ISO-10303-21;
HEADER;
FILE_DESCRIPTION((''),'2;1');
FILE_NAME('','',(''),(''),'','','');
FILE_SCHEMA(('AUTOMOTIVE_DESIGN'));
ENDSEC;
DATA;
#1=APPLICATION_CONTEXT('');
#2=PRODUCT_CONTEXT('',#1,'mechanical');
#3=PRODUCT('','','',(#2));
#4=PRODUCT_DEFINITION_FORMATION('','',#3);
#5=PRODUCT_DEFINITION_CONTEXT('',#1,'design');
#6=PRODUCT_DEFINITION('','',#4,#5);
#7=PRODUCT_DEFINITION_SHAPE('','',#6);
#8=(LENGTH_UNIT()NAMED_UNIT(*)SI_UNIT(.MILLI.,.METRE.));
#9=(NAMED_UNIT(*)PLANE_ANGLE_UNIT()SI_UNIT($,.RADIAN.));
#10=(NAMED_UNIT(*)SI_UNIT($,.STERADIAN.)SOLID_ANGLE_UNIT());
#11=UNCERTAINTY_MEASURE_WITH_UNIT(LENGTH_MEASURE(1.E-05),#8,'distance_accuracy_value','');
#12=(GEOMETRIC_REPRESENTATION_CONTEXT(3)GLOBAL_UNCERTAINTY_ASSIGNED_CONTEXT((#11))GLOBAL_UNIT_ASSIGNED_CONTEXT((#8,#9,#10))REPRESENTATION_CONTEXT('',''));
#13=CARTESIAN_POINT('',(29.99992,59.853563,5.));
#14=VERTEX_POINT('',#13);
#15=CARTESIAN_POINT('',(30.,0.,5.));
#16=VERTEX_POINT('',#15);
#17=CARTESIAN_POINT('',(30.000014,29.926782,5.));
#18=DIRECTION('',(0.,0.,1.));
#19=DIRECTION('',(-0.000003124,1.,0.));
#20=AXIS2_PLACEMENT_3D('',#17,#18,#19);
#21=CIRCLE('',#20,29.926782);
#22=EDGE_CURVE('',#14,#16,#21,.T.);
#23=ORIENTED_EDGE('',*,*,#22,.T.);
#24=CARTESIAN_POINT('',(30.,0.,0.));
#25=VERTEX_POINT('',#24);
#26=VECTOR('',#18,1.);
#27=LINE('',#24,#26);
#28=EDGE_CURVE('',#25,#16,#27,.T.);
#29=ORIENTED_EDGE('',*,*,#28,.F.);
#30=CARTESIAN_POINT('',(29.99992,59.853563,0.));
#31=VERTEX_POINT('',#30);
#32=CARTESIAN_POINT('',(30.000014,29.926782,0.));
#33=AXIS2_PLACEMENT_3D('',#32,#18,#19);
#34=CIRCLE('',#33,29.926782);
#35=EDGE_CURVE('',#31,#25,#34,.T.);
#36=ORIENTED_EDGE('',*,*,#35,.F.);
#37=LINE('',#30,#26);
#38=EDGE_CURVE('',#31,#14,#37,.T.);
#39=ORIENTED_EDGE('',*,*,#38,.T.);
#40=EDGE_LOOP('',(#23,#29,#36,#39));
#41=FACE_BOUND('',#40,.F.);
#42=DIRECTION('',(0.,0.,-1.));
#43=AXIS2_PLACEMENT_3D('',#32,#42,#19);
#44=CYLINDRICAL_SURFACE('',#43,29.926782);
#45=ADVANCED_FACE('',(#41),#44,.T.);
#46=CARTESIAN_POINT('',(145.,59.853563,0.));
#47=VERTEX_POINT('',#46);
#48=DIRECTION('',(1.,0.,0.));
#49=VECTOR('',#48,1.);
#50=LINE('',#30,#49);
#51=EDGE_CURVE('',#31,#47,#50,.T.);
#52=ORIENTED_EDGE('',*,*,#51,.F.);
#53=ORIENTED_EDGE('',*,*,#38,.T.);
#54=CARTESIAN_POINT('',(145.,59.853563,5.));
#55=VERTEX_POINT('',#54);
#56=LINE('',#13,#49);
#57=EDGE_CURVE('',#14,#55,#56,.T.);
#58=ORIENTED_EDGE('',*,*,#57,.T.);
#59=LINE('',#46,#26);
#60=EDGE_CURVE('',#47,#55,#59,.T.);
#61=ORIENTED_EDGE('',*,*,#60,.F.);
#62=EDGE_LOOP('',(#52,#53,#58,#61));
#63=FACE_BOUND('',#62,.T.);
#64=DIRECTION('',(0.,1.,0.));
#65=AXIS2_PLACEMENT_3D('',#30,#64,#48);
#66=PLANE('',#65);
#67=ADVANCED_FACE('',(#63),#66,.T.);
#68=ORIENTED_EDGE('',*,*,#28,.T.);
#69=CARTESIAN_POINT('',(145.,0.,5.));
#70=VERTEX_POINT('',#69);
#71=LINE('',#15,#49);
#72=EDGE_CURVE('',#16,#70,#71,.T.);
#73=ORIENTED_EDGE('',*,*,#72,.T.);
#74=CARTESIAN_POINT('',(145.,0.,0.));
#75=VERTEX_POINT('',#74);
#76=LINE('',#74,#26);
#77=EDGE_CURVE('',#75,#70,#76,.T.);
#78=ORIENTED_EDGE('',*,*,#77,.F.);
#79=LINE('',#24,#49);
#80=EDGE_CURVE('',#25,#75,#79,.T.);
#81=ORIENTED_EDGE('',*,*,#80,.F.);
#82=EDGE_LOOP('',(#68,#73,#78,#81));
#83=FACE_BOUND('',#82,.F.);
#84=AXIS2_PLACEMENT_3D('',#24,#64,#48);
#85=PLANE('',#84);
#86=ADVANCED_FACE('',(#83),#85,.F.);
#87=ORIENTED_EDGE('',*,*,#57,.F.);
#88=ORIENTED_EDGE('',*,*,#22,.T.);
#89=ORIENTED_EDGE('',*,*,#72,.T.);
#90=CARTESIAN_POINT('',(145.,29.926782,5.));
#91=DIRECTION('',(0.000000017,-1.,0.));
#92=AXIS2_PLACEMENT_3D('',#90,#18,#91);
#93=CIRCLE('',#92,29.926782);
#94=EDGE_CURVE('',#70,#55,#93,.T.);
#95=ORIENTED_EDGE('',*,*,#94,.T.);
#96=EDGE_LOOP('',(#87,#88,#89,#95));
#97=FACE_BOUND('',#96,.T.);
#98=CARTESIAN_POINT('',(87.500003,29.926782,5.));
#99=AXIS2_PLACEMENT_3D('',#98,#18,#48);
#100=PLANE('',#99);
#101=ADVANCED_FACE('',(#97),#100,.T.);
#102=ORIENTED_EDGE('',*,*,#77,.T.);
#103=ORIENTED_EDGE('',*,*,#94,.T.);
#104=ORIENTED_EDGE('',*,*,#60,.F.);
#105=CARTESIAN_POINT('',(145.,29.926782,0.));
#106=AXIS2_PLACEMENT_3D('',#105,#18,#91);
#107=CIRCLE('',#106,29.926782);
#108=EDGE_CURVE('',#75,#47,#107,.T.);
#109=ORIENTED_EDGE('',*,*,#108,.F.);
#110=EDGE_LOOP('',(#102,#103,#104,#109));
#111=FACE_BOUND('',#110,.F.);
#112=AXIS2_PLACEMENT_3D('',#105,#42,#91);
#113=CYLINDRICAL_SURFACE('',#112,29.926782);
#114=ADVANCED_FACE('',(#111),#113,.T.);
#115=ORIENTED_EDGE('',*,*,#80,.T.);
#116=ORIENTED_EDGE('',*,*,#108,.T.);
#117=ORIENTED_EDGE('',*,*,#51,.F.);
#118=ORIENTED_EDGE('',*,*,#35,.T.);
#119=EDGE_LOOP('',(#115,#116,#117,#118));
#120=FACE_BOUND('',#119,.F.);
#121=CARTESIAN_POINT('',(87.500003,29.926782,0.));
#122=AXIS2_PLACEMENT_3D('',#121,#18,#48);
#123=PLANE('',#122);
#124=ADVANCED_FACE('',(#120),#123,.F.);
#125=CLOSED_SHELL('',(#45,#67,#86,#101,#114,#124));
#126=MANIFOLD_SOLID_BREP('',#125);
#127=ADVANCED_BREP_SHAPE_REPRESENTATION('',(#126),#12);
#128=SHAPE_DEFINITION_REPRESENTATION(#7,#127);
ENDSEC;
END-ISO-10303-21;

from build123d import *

# Parameters (mm, degrees)
PAD_DEPTH = 5


with BuildPart() as part:
    # Sketch (on Sketch) → Pad (new body)
    with BuildSketch(Plane.XY):
        with BuildLine():
            ThreePointArc((145, 0), (174.926781, 29.926782), (145, 59.853563))
            Line((29.99992, 59.853563), (145, 59.853563))
            ThreePointArc((29.99992, 59.853563), (0.073232, 29.926742), (30, 0))
            Line((30, 0), (145, 0))
        make_face()
    extrude(amount=PAD_DEPTH)


solid = part.part
